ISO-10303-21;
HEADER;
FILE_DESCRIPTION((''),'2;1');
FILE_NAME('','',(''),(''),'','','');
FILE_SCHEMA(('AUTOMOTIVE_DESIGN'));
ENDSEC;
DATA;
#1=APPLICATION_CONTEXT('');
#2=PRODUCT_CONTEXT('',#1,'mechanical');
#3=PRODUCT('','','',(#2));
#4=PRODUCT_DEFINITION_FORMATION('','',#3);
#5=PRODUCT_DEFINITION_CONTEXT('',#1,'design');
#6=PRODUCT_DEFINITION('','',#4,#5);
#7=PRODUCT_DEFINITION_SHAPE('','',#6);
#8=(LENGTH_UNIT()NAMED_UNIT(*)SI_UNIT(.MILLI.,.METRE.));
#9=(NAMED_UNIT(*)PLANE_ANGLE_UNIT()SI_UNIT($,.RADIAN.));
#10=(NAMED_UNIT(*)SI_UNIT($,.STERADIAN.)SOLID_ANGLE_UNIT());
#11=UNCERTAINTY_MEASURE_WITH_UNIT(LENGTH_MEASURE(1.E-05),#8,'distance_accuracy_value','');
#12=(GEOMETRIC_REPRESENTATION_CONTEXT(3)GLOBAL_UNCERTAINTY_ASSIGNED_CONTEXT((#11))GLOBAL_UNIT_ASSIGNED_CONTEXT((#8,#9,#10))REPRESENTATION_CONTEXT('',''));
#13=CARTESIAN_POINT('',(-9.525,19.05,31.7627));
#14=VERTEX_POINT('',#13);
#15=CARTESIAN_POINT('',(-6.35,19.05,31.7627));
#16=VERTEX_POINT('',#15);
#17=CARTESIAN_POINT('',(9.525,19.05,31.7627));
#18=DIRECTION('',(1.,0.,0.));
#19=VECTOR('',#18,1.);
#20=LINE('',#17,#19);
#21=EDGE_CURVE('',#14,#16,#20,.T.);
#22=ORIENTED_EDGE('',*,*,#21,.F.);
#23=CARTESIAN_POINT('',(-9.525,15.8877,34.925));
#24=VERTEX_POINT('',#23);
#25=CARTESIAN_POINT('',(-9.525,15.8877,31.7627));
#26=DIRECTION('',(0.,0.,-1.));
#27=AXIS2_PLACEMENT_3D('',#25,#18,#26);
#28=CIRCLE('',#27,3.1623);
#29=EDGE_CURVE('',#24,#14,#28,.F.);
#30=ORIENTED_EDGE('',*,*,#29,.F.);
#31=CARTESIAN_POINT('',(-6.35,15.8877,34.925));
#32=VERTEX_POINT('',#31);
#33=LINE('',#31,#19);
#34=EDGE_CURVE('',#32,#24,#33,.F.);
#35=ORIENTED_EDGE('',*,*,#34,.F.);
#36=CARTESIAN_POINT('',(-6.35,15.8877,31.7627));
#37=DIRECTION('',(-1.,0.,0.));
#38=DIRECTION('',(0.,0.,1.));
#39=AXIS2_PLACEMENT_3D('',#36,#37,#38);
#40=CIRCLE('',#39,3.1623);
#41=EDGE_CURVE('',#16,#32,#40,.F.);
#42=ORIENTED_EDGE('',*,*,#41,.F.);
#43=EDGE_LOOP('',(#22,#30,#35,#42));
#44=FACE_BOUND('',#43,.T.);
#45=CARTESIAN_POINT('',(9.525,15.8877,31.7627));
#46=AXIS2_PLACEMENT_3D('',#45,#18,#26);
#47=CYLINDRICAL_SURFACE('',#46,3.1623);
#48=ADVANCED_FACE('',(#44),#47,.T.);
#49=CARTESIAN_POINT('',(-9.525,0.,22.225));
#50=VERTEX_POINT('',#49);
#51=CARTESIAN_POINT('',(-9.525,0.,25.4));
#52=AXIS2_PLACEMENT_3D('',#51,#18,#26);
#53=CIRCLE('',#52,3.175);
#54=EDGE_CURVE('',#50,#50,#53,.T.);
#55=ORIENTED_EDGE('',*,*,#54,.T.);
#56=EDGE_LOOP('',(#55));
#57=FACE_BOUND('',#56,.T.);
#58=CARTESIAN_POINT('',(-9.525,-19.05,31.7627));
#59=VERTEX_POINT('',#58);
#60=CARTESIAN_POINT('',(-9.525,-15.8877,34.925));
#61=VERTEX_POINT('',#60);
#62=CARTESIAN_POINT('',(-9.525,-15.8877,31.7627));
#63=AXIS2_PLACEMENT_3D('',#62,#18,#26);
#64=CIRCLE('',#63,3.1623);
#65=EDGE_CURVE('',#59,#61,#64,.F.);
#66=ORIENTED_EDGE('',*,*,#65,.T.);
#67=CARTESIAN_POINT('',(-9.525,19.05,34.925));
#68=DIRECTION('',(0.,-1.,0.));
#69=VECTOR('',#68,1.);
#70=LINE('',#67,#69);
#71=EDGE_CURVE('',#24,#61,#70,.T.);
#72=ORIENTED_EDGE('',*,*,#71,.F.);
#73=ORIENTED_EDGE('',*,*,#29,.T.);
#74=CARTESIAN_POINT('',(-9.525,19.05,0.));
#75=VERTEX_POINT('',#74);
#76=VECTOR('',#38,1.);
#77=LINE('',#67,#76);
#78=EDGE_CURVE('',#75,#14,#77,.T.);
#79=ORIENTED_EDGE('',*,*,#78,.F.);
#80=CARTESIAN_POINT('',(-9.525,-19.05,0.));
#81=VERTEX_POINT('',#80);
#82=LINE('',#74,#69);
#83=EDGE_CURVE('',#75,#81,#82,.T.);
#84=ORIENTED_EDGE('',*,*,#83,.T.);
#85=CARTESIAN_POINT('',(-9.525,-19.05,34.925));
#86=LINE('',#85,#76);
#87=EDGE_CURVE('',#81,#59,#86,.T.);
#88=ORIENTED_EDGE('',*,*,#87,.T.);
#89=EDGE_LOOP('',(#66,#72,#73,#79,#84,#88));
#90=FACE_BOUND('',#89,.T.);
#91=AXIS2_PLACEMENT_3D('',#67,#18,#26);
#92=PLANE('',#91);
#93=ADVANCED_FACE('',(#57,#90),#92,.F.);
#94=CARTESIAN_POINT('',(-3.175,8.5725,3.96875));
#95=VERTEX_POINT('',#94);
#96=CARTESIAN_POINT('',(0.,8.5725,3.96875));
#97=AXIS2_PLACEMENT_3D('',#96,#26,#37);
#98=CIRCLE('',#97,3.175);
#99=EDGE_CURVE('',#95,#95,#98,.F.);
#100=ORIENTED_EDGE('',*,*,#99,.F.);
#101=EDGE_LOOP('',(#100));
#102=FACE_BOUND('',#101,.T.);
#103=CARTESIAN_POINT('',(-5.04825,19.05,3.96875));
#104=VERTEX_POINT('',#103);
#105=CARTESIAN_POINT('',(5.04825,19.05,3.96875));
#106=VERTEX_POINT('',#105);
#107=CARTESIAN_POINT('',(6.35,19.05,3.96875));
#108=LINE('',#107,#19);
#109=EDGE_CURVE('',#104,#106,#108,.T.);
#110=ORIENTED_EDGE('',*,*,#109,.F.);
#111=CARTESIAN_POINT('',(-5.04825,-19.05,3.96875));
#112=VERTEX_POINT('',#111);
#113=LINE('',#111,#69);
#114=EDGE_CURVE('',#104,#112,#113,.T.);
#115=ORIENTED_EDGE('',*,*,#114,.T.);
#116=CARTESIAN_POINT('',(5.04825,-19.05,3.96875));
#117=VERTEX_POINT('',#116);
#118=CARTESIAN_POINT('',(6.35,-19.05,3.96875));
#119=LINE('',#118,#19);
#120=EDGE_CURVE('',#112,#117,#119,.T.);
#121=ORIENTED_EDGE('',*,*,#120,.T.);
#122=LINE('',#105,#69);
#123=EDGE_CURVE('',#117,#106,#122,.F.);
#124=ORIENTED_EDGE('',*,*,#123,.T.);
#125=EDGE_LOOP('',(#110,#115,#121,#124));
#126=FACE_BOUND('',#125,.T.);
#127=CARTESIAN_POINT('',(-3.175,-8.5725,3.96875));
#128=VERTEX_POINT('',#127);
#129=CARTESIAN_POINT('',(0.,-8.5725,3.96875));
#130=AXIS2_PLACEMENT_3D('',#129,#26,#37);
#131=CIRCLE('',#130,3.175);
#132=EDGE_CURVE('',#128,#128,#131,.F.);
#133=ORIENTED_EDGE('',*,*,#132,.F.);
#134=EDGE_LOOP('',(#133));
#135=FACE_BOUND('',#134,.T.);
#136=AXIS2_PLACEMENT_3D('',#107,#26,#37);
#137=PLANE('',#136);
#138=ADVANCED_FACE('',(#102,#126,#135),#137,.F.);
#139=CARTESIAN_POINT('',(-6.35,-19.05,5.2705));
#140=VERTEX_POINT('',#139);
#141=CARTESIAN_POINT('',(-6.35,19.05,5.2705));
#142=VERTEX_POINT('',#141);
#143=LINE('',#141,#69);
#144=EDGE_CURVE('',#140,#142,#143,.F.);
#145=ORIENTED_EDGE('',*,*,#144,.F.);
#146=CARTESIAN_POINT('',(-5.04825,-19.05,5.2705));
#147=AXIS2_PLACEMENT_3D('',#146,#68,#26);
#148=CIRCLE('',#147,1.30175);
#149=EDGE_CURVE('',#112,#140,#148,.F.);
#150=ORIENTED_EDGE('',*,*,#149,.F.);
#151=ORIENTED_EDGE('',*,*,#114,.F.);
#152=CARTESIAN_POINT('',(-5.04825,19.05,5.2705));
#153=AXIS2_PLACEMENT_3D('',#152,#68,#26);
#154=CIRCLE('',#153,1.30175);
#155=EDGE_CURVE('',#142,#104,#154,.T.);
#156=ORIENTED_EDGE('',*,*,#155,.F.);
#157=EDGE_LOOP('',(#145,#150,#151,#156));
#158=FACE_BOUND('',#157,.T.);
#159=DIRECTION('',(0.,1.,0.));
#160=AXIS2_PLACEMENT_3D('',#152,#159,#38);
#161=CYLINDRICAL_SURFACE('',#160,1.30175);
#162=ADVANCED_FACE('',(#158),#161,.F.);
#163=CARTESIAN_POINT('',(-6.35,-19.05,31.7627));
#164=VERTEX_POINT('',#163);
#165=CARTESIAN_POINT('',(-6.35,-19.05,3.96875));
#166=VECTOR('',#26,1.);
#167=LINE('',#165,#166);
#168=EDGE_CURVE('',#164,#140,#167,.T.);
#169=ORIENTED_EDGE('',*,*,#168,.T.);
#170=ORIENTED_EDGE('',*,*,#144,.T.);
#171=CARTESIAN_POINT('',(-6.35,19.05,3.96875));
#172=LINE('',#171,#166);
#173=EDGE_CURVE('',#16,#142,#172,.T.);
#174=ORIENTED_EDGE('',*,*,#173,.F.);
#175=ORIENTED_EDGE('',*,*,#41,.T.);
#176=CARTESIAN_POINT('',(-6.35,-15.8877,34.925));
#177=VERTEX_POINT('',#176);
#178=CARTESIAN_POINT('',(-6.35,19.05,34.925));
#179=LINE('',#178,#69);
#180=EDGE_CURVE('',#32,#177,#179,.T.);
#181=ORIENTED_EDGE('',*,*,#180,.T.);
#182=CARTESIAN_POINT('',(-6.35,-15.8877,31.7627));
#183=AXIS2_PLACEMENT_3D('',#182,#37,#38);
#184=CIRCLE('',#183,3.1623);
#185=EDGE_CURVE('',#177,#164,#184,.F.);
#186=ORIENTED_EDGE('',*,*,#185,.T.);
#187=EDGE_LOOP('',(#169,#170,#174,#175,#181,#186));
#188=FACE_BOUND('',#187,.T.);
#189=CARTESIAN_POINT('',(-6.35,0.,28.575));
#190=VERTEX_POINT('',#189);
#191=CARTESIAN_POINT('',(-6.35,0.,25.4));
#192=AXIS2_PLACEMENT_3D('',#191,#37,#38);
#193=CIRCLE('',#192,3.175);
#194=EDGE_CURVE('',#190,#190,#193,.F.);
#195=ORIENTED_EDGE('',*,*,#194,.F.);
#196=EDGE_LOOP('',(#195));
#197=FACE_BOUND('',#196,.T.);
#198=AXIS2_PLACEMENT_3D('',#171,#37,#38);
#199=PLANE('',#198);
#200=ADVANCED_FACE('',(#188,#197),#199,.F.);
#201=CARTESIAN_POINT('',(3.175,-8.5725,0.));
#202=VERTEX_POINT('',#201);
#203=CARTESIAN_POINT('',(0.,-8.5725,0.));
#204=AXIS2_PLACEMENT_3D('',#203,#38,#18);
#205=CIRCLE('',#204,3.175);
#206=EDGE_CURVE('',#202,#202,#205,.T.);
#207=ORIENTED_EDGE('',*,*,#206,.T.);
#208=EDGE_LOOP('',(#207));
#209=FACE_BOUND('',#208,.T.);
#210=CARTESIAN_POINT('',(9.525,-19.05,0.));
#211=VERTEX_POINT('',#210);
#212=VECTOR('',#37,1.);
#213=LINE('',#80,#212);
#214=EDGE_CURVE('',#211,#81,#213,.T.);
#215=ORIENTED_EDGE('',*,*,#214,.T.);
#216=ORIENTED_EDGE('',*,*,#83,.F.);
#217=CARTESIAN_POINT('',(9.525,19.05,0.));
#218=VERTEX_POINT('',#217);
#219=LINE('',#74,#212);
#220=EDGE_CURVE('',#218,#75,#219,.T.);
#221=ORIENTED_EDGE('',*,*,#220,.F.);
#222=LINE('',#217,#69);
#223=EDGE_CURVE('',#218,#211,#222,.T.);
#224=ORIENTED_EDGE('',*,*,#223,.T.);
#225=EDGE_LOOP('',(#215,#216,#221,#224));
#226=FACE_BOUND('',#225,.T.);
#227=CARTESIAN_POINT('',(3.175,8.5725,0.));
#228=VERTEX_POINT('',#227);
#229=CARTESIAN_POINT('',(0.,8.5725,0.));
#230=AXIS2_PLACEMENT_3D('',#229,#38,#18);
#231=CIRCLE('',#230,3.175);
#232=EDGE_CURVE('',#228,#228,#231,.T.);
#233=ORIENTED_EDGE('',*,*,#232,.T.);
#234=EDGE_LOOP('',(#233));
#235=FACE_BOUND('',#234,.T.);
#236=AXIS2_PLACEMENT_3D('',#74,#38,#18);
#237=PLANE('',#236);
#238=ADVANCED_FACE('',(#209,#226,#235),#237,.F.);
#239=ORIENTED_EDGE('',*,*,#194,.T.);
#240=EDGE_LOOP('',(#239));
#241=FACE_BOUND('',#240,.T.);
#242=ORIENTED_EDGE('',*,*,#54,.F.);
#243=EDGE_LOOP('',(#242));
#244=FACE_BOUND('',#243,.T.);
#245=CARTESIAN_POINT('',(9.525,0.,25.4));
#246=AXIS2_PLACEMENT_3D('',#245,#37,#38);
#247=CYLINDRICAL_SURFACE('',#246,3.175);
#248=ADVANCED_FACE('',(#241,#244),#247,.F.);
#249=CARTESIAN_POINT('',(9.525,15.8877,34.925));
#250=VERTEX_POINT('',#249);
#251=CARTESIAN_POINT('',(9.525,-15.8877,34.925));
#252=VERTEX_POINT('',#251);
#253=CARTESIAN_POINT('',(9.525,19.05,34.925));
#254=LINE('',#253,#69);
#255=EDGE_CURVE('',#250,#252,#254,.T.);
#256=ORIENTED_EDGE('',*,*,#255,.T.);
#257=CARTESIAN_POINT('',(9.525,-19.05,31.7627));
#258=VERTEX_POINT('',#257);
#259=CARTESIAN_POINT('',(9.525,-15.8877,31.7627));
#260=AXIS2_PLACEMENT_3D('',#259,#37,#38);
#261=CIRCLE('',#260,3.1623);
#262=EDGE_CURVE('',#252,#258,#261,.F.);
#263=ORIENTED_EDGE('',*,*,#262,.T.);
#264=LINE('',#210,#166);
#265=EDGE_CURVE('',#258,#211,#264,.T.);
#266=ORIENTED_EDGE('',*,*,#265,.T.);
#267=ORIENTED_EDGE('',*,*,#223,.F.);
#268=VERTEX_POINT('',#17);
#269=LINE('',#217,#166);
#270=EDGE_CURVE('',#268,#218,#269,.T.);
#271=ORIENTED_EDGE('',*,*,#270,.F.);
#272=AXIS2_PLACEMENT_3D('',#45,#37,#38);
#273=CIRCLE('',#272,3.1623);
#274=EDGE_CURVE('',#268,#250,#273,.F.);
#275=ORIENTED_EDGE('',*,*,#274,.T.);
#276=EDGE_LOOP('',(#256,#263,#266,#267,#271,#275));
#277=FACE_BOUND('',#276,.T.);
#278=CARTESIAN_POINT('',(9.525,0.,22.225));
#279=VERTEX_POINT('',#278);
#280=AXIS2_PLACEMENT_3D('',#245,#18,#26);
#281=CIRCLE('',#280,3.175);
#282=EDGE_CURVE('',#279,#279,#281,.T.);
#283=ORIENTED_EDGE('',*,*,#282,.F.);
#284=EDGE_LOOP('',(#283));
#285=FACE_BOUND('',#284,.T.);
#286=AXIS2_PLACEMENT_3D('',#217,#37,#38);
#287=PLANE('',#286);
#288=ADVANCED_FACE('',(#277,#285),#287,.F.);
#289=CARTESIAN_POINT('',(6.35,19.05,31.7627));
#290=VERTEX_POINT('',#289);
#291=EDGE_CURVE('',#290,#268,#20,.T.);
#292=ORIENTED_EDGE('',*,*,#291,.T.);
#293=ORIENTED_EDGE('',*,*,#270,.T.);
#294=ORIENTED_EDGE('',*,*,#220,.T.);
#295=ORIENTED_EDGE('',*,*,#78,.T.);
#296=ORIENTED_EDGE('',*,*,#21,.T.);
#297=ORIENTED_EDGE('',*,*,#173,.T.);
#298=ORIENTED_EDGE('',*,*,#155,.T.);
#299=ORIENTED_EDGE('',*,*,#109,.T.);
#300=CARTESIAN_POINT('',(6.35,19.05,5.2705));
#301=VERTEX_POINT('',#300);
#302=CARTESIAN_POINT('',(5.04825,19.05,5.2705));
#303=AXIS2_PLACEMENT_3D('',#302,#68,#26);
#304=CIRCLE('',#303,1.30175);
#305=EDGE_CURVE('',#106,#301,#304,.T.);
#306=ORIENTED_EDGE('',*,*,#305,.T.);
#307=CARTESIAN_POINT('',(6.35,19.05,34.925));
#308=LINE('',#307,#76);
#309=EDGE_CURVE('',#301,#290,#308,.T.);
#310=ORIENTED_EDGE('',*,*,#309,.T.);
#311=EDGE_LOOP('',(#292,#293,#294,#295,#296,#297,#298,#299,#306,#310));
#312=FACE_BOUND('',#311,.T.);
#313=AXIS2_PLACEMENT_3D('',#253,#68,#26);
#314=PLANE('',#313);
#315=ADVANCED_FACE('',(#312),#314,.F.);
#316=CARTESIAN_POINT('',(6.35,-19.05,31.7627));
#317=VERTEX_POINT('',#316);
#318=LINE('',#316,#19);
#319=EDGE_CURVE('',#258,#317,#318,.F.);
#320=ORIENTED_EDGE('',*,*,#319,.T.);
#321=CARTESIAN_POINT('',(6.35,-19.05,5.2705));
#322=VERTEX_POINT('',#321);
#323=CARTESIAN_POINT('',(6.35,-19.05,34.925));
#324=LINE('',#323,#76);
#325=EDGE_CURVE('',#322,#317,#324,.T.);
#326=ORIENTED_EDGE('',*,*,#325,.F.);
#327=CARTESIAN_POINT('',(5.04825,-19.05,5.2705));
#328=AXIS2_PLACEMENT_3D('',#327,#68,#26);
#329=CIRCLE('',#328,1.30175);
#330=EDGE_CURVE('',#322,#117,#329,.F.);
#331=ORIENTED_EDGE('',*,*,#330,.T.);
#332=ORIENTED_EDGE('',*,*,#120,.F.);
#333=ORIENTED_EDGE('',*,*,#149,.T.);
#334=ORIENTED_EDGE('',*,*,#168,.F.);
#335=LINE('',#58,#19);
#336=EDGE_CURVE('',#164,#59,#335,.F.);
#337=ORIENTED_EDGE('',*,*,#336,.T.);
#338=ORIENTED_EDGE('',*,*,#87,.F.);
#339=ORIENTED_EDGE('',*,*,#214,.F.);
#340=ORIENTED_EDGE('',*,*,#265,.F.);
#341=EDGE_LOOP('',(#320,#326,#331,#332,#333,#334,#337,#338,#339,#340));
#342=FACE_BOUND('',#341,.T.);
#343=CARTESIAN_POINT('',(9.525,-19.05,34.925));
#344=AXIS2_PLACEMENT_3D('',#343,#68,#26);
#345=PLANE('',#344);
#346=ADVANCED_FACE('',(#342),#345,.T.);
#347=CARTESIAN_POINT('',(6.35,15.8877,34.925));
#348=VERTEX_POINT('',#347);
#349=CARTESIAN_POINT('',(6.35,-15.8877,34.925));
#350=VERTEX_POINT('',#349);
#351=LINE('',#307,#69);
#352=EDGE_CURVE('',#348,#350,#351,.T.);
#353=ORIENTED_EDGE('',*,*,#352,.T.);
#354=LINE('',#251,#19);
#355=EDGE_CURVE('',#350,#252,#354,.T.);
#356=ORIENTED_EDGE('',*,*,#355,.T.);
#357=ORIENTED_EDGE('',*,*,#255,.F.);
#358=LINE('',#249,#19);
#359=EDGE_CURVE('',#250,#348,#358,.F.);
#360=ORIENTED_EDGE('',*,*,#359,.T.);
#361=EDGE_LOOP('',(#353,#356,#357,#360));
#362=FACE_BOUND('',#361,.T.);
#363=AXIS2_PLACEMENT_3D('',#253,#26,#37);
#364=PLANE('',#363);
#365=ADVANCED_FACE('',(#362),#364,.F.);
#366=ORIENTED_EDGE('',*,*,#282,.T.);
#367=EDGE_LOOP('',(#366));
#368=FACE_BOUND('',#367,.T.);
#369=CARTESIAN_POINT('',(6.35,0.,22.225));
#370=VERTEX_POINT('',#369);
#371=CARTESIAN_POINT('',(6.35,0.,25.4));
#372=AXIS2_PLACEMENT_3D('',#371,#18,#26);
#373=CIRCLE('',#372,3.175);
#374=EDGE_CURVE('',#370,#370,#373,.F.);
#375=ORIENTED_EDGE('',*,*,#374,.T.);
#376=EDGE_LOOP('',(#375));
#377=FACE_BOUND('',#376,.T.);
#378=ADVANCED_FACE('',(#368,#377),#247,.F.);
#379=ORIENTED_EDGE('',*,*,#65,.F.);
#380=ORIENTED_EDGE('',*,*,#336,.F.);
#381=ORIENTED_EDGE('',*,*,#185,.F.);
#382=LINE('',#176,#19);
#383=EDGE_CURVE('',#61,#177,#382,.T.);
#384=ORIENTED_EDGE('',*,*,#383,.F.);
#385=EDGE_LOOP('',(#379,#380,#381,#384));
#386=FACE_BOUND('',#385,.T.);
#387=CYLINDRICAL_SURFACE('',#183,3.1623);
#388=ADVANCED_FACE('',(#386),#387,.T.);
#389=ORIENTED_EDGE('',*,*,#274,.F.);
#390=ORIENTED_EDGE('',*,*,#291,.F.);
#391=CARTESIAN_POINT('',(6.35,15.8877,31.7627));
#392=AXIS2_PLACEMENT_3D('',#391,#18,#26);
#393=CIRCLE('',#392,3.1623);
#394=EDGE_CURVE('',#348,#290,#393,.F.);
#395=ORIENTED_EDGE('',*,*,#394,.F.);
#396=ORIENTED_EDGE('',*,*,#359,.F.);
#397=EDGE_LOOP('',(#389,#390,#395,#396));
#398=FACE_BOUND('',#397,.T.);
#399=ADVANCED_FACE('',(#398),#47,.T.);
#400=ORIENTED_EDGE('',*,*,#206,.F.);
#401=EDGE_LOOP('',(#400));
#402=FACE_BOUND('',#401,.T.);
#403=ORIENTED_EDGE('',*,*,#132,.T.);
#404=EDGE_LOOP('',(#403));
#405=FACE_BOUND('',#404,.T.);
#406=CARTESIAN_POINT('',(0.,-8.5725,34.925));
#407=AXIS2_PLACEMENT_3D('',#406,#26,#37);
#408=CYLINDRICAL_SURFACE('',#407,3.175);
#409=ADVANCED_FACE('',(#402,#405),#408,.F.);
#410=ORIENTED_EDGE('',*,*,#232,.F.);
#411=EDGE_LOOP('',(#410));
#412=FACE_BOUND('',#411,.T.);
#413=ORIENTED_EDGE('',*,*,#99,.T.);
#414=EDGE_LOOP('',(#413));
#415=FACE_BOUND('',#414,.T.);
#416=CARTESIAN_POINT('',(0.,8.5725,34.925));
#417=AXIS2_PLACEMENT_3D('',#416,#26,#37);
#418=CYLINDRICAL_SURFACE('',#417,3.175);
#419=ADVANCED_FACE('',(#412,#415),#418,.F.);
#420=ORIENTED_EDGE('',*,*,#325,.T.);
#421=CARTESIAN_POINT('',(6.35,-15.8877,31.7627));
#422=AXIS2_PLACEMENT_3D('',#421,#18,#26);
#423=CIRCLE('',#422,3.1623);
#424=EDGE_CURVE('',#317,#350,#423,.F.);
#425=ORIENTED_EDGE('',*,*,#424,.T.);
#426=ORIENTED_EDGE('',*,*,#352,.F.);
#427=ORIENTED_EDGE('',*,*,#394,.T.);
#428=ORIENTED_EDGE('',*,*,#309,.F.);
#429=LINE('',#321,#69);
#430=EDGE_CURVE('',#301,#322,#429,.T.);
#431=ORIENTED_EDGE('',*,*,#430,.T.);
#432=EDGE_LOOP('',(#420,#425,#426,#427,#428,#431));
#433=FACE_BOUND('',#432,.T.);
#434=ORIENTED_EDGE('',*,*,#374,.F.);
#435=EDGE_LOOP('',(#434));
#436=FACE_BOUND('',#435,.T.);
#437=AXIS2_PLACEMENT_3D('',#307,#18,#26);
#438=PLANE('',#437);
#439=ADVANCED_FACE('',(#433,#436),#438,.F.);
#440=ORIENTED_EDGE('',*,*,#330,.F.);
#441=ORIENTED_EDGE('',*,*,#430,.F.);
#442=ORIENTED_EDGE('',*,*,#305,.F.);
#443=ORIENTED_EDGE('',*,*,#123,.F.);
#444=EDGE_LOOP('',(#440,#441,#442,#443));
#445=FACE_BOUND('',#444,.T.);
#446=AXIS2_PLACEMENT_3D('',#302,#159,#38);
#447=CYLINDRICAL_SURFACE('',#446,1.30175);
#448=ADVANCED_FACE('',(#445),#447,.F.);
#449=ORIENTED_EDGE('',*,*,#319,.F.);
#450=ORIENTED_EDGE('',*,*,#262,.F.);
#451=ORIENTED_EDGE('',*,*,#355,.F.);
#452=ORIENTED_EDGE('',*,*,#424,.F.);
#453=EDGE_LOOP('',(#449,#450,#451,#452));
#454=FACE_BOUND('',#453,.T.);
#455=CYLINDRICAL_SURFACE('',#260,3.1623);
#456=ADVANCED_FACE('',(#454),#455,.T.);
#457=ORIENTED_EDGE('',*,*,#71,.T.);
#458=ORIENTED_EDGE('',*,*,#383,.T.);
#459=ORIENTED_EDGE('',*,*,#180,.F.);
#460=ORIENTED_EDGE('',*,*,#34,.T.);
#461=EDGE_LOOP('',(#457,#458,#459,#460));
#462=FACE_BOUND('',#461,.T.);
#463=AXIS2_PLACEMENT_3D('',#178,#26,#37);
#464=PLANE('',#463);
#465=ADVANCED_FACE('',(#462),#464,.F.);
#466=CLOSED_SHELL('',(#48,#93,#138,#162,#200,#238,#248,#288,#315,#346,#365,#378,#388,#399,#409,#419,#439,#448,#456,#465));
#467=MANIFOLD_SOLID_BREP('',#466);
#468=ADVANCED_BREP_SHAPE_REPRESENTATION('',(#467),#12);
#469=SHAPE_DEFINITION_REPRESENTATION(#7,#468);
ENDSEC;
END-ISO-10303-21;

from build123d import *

# Parameters (mm, degrees)
EXTRUDE1_DEPTH      = 19.05
SKETCH2_R           = 3.175
EXTRUDE2_DEPTH      = 35.925
SKETCH3_R           = 3.175
EXTRUDE3_DEPTH      = 10.525
EXTRUDE3_DEPTH_BACK = 10.525
FILLET3_R           = 3.1623
FILLET4_R           = 1.30175


with BuildPart() as part:
    # Sketch1 → Extrude1 (new body, symmetric)
    with BuildSketch(Plane(origin=(0, 0, 0), x_dir=(1, 0, 0), z_dir=(0, 1, 0))):
        Polygon((-9.525, 0), (9.525, 0), (9.525, -34.925), (6.35, -34.925), (6.35, -3.96875), (-6.35, -3.96875), (-6.35, -34.925), (-9.525, -34.925), align=None)
    extrude(amount=EXTRUDE1_DEPTH, both=True)

    # Sketch2 → Extrude2 (cut, through all)
    with BuildSketch(Plane.XY):
        with Locations((0, -8.5725)):
            Circle(SKETCH2_R)
        with Locations((0, 8.5725)):
            Circle(SKETCH2_R)
    extrude(amount=EXTRUDE2_DEPTH, mode=Mode.SUBTRACT)

    # Sketch3 → Extrude3 (cut, two sides)
    with BuildSketch(Plane(origin=(0, 0, -0.669808337), x_dir=(0, 0, -1), z_dir=(1, 0, 0))) as extrude3_sk:
        with Locations((-26.069808337, 0)):
            Circle(SKETCH3_R)
    extrude(amount=EXTRUDE3_DEPTH, mode=Mode.SUBTRACT)
    extrude(extrude3_sk.sketch, amount=-EXTRUDE3_DEPTH_BACK, mode=Mode.SUBTRACT)

    # Fillet3
    fillet3_edges = [part.edges().sort_by_distance(p)[0] for p in [
        (-7.9375, 19.05, 34.925),
        (7.9375, 19.05, 34.925),
        (7.9375, -19.05, 34.925),
        (-7.9375, -19.05, 34.925),
    ]]
    fillet(fillet3_edges, radius=FILLET3_R)

    # Fillet4
    fillet4_edges = [part.edges().sort_by_distance(p)[0] for p in [
        (6.35, 0, 3.96875),
        (-6.35, 0, 3.96875),
    ]]
    fillet(fillet4_edges, radius=FILLET4_R)


solid = part.part
